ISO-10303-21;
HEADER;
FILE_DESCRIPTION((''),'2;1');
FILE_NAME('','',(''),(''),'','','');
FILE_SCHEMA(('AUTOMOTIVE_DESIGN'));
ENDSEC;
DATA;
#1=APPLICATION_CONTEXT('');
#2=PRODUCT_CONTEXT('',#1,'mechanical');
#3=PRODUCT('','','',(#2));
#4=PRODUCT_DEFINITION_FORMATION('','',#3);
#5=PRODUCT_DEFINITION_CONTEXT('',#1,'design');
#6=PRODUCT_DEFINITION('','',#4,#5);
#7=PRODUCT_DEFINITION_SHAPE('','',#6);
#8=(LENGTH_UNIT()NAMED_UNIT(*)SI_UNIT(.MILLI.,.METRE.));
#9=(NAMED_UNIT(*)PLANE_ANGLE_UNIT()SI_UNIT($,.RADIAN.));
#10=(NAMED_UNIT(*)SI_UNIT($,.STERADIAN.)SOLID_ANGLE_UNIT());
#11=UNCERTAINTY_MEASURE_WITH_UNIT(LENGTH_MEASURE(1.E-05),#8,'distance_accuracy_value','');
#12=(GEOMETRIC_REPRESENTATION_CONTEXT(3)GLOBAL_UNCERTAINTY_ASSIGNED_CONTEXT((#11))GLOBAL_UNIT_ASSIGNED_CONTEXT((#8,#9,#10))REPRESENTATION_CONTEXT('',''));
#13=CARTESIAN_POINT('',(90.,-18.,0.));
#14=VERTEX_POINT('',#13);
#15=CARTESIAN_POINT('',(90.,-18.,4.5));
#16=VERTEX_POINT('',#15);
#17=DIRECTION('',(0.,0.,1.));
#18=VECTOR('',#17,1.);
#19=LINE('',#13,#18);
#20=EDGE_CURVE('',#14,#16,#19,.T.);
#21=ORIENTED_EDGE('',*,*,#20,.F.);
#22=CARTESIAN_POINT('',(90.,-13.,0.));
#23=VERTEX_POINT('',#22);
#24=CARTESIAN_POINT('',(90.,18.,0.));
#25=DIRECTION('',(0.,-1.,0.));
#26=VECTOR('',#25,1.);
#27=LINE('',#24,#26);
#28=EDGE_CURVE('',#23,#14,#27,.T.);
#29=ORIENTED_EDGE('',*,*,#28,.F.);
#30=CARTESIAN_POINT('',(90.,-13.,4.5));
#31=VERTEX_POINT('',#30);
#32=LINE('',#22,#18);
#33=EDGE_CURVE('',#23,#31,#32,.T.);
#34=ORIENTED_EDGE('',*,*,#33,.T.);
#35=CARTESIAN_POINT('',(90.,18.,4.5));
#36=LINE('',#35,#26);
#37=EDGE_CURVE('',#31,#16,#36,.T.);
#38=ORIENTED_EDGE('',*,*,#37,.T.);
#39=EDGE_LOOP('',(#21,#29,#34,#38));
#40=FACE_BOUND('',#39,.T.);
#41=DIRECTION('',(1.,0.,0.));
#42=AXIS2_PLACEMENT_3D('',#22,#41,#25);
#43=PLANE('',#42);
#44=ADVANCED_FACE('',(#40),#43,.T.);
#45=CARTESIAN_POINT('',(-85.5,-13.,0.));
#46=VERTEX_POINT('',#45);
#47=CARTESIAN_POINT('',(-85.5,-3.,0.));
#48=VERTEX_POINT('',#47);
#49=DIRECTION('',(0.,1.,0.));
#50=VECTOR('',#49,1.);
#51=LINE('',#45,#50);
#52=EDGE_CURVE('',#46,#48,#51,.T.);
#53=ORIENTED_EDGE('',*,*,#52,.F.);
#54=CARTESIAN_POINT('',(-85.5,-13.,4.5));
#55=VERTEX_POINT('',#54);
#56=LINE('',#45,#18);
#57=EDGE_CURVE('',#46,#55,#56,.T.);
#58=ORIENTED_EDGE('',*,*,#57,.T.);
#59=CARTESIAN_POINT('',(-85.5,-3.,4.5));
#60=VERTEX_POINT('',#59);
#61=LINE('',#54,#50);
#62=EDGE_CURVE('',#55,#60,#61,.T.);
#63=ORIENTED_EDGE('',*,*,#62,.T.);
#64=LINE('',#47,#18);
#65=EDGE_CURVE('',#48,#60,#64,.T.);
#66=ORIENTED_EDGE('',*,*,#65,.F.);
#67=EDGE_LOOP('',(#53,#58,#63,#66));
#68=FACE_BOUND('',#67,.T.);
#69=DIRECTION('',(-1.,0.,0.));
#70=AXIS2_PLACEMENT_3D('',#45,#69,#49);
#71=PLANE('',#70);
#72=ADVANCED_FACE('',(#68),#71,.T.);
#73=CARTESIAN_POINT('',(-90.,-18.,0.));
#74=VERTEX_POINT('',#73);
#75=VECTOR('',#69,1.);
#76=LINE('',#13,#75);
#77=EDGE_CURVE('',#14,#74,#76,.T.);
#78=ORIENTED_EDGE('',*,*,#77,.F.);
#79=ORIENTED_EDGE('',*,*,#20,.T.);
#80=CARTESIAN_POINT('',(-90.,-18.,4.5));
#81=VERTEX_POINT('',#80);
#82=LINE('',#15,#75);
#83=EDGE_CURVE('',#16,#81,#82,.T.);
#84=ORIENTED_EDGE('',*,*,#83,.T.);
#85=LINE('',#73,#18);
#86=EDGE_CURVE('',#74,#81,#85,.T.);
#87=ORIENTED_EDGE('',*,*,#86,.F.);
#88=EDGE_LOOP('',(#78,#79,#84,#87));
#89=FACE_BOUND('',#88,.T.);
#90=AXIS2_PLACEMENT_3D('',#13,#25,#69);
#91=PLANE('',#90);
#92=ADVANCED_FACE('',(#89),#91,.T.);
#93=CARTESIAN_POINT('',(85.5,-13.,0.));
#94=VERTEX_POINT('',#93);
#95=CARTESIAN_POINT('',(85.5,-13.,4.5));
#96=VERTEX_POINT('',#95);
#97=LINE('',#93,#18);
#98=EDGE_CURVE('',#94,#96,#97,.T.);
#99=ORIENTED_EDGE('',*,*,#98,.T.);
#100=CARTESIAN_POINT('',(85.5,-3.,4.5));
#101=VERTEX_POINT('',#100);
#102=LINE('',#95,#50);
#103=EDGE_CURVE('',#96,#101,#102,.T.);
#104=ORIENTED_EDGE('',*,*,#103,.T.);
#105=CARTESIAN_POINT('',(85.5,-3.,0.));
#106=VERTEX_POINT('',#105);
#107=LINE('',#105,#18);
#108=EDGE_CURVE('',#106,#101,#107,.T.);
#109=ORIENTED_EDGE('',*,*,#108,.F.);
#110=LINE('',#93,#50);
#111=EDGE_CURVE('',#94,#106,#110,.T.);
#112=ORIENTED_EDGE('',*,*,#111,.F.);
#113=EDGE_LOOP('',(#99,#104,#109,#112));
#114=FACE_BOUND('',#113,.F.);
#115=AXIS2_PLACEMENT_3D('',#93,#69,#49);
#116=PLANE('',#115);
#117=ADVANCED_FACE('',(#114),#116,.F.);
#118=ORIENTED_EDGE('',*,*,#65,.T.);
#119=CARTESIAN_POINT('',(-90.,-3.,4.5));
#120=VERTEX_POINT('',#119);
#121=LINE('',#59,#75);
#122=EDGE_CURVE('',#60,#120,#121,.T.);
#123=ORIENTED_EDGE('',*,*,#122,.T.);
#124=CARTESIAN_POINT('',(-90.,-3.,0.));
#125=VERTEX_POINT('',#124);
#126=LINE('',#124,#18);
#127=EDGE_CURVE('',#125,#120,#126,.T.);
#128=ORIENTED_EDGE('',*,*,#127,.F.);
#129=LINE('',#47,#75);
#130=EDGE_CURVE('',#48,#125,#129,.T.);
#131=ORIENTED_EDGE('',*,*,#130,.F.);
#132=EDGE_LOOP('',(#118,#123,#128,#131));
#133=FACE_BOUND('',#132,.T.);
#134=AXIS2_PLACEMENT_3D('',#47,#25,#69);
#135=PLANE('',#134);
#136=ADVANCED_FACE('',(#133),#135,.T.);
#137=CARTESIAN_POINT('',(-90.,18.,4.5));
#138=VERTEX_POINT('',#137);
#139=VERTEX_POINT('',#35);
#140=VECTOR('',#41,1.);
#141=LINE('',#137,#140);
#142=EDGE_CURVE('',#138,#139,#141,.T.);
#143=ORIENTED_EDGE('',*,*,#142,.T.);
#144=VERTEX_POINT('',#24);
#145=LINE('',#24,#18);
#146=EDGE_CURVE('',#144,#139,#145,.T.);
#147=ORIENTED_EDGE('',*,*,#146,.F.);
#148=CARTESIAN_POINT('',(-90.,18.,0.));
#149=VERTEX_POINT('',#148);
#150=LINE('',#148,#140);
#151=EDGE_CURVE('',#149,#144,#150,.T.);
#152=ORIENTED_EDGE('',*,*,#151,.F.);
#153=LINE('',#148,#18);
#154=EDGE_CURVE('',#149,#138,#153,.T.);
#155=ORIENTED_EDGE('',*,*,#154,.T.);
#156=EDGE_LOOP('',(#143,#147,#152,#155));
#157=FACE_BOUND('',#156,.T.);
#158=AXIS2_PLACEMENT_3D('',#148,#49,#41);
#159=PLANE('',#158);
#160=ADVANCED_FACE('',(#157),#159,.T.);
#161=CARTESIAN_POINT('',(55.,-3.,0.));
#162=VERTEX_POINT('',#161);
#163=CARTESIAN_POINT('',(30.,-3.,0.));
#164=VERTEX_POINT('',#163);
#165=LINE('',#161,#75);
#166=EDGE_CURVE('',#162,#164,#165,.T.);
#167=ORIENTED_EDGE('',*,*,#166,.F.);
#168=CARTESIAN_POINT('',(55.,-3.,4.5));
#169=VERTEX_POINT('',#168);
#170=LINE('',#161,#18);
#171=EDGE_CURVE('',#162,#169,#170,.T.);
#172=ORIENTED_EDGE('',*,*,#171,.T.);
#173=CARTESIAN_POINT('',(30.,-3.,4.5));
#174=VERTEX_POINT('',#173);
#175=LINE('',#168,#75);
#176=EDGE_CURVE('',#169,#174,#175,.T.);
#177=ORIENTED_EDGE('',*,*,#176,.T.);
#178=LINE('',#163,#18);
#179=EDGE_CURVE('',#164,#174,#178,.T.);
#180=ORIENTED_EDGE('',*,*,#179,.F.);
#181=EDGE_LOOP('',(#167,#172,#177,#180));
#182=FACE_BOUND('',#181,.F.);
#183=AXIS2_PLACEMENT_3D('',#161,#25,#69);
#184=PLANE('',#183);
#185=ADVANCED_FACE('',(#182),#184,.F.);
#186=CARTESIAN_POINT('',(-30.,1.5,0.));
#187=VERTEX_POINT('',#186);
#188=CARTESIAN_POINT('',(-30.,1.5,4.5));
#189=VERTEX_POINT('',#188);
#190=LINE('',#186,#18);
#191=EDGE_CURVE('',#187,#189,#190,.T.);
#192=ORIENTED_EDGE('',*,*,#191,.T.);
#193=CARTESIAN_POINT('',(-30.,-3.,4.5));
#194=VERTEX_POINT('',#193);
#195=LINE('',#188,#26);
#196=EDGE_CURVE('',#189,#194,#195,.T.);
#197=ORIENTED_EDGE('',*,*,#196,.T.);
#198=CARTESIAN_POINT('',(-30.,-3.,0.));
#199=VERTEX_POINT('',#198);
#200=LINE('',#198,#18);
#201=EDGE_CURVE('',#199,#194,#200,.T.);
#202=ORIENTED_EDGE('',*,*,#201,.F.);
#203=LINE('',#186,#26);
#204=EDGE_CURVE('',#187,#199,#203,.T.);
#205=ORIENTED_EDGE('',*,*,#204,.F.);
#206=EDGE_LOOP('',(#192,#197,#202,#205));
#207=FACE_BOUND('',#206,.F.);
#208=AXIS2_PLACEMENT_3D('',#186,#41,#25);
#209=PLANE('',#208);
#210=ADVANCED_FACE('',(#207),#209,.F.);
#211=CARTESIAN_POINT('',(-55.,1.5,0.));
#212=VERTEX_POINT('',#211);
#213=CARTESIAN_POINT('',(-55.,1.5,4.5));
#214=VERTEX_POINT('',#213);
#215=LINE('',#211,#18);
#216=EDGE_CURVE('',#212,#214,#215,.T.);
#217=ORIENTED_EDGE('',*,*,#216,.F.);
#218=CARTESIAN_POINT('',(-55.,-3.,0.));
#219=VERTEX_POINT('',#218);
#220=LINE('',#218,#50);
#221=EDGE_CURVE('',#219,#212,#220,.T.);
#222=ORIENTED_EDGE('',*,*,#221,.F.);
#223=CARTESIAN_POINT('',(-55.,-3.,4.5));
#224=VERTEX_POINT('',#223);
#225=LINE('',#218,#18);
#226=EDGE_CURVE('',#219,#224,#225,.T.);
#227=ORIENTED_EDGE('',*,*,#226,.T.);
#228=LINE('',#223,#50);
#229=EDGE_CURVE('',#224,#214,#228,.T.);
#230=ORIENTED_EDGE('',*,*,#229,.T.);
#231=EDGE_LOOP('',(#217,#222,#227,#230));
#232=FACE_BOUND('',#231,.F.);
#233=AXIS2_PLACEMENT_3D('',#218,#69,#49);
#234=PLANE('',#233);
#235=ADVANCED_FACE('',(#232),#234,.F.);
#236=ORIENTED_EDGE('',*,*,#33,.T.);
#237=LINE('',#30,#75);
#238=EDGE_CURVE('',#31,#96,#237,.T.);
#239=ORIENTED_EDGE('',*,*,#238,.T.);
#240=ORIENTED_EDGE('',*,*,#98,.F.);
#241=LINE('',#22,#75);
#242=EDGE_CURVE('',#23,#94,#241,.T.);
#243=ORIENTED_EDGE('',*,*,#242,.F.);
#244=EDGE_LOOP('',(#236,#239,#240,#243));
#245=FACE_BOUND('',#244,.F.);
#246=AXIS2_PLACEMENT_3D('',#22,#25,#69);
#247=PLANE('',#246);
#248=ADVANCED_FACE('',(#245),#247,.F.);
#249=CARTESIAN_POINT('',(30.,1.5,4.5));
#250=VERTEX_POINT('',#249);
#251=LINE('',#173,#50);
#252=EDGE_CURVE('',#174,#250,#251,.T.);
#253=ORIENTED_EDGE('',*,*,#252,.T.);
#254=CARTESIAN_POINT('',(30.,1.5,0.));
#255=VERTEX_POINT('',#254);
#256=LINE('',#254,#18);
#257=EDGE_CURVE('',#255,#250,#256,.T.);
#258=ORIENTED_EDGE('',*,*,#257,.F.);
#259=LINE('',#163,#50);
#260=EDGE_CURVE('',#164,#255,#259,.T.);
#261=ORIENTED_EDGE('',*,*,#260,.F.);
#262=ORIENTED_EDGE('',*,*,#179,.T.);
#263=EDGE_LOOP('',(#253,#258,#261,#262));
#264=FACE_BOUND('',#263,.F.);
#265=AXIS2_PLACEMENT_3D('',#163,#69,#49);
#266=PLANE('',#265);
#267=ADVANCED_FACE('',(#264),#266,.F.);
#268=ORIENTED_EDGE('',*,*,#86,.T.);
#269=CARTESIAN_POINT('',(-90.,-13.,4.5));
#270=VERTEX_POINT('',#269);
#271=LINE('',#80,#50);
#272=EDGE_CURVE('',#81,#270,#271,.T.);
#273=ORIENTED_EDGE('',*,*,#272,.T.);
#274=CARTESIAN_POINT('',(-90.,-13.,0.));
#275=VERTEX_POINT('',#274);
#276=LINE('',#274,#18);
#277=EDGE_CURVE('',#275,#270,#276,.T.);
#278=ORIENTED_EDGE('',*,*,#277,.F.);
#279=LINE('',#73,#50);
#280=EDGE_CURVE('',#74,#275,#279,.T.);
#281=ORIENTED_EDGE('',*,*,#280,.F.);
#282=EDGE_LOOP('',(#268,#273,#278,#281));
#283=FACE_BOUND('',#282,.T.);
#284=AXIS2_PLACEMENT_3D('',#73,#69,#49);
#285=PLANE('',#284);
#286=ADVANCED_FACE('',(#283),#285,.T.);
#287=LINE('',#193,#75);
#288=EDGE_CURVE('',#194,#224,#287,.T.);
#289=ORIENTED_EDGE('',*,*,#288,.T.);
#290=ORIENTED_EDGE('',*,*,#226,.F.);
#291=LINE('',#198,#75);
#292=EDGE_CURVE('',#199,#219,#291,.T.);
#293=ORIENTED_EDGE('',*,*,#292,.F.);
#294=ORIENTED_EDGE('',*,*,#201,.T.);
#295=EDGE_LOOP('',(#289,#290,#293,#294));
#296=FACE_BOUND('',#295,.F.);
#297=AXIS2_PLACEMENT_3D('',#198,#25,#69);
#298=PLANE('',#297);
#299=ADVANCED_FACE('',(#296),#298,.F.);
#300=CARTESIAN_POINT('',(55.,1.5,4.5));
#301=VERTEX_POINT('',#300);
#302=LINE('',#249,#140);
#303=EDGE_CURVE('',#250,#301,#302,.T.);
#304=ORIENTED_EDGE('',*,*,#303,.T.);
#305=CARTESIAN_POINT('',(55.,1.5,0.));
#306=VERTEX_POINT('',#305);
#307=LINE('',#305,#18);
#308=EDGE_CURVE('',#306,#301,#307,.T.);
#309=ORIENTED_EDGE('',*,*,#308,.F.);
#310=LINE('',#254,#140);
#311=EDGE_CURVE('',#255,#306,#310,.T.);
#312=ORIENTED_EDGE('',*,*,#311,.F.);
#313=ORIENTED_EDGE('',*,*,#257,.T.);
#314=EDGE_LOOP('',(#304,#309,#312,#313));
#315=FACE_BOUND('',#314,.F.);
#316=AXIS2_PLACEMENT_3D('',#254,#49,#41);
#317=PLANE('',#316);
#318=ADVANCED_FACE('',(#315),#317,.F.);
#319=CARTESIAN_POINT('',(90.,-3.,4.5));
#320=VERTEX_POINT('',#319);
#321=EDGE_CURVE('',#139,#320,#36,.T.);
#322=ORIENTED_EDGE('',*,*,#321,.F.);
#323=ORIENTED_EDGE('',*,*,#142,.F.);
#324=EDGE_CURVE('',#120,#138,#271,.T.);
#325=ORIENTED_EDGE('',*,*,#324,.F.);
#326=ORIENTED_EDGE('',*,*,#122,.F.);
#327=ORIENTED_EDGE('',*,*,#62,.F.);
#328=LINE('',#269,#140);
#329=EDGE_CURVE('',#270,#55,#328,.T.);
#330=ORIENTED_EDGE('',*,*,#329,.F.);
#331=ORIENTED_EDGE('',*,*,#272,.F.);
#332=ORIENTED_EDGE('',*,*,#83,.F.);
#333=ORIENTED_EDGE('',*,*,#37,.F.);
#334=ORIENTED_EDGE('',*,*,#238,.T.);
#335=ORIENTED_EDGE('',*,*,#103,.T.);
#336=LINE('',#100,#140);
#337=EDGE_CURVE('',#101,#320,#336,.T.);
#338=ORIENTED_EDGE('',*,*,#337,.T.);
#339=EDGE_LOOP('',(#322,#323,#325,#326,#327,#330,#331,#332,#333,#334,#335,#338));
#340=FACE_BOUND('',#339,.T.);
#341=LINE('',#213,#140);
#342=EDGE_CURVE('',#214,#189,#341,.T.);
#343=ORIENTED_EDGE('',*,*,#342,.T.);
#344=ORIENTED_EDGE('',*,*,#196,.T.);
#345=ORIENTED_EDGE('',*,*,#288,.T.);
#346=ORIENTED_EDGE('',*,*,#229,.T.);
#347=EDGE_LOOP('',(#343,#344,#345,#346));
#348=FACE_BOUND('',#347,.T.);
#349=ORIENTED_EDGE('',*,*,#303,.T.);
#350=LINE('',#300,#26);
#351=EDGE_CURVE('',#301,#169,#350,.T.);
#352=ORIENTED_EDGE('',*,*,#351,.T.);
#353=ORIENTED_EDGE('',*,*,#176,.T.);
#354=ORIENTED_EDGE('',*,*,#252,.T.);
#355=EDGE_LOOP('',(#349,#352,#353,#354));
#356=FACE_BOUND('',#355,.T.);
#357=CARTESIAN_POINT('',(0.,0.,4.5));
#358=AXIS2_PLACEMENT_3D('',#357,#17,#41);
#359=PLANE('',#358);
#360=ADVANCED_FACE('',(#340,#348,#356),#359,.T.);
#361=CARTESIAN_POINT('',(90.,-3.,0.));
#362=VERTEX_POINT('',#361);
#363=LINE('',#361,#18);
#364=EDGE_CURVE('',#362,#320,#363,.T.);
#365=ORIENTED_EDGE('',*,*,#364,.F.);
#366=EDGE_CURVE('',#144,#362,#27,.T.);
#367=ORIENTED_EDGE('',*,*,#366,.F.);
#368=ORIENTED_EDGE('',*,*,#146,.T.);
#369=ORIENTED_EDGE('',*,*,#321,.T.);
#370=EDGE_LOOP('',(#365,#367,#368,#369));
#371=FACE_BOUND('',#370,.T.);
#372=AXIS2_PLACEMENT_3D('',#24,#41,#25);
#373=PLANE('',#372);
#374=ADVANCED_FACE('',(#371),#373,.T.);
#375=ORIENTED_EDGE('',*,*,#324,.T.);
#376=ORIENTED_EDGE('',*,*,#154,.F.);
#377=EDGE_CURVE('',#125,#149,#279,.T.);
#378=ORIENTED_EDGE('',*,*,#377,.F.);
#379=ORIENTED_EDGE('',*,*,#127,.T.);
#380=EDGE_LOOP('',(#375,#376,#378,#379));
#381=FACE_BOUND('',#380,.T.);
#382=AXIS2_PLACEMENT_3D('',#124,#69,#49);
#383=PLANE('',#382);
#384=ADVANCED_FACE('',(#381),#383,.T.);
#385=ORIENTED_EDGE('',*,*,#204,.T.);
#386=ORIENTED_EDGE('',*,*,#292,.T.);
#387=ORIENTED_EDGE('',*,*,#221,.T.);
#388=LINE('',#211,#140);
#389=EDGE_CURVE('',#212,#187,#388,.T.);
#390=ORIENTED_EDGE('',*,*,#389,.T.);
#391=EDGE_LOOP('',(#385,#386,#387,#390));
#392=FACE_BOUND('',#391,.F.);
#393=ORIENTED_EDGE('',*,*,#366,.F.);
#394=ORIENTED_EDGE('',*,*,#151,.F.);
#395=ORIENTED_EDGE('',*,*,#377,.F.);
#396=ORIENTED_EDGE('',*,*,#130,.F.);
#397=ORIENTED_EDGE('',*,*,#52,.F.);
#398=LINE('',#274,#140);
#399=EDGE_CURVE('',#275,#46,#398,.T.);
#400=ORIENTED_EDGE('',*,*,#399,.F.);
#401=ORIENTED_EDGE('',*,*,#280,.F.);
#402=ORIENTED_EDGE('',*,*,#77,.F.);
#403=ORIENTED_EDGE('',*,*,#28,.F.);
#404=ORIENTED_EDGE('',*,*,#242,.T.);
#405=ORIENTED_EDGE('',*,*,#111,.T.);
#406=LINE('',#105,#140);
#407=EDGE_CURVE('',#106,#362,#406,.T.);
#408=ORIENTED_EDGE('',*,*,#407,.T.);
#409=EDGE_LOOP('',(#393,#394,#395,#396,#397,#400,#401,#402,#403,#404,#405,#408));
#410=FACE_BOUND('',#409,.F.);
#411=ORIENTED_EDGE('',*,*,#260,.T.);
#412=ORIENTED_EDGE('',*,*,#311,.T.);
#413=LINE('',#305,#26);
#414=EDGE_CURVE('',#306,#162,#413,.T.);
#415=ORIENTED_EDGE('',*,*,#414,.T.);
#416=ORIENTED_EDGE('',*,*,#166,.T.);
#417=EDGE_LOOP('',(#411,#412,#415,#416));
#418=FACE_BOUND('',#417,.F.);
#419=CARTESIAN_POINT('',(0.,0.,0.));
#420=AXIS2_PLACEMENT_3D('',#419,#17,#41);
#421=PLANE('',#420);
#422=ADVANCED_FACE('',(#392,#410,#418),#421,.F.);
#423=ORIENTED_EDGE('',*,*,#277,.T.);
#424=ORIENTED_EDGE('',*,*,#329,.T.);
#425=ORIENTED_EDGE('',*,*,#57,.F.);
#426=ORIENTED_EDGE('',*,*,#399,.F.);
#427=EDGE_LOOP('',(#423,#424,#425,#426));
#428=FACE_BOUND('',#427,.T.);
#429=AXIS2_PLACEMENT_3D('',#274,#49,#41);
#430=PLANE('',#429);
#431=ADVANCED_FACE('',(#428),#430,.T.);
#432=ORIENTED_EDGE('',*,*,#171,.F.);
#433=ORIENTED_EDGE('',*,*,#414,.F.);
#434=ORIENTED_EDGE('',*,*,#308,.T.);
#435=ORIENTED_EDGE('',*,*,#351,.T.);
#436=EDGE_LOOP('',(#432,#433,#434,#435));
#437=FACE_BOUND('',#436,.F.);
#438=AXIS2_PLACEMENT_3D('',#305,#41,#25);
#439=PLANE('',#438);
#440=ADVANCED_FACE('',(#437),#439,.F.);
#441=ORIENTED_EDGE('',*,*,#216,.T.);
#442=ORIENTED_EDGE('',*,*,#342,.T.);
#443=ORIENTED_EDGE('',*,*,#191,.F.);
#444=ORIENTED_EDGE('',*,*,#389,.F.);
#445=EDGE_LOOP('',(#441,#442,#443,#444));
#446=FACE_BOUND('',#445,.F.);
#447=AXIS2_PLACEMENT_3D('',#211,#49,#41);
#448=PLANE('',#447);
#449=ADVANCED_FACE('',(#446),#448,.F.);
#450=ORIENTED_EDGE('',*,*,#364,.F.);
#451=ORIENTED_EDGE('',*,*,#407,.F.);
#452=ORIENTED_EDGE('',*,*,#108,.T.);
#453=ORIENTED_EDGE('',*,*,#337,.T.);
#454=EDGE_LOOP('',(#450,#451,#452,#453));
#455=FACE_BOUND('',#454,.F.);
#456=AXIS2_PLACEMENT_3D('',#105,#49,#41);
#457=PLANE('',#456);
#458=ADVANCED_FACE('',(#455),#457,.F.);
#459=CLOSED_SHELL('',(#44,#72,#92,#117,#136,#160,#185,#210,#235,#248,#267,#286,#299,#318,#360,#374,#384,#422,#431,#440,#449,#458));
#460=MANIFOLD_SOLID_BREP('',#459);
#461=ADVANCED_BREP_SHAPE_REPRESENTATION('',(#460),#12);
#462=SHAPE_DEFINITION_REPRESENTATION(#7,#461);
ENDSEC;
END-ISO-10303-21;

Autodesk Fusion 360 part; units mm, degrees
sketch "Sketch1" plane through (0, 0, 0) normal (0, 0, 1) x (1, 0, 0)
  line L0 (90, -18) -> (-90, -18)
  line L1 (-90, -18) -> (-90, 18)
  line L2 (-90, 18) -> (90, 18)
  line L3 (90, 18) -> (90, -18)
  line L4 (90, -18) -> (-90, 18) construction
  line L5 (-90, -18) -> (90, 18) construction
  line L6 (90, -13) -> (85.5, -13)
  line L7 (85.5, -13) -> (85.5, -3)
  line L8 (85.5, -3) -> (90, -3)
  line L9 (90, -3) -> (90, -13)
  line L10 (-90, -13) -> (-85.5, -13)
  line L11 (-85.5, -13) -> (-85.5, -3)
  line L12 (-85.5, -3) -> (-90, -3)
  line L13 (-90, -3) -> (-90, -13)
  line L14 (-98.0215, -0.75) -> (96.9785, -0.75) construction
  line L15 (55, -3) -> (30, -3)
  line L16 (30, -3) -> (30, 1.5)
  line L17 (30, 1.5) -> (55, 1.5)
  line L18 (55, 1.5) -> (55, -3)
  line L19 (55, -3) -> (30, 1.5) construction
  line L20 (30, -3) -> (55, 1.5) construction
  line L21 (-30, -3) -> (-55, -3)
  line L22 (-55, -3) -> (-55, 1.5)
  line L23 (-55, 1.5) -> (-30, 1.5)
  line L24 (-30, 1.5) -> (-30, -3)
  line L25 (-30, -3) -> (-55, 1.5) construction
  line L26 (-55, -3) -> (-30, 1.5) construction
  point P0 (42.5, -0.75)
  point P1 (-42.5, -0.75)
  dimension "d1" = 180
  dimension "d2" = 36
  dimension "d3" = 4.5
  dimension "d4" = 10
  dimension "d5" = 4.5
  dimension "d6" = 10
  dimension "d7" = 5
  dimension "d8" = 5
  dimension "d9" = 17.25
  dimension "d10" = 25
  dimension "d11" = 4.5
  dimension "d12" = 25
  dimension "d13" = 4.5
  dimension "d14" = 35
  dimension "d15" = 35
extrude "Extrude1" add sketch "Sketch1" along normal blind 4.5 contours L0 L1 L2 L3 L6 L7 L8 L10 L11 L12
